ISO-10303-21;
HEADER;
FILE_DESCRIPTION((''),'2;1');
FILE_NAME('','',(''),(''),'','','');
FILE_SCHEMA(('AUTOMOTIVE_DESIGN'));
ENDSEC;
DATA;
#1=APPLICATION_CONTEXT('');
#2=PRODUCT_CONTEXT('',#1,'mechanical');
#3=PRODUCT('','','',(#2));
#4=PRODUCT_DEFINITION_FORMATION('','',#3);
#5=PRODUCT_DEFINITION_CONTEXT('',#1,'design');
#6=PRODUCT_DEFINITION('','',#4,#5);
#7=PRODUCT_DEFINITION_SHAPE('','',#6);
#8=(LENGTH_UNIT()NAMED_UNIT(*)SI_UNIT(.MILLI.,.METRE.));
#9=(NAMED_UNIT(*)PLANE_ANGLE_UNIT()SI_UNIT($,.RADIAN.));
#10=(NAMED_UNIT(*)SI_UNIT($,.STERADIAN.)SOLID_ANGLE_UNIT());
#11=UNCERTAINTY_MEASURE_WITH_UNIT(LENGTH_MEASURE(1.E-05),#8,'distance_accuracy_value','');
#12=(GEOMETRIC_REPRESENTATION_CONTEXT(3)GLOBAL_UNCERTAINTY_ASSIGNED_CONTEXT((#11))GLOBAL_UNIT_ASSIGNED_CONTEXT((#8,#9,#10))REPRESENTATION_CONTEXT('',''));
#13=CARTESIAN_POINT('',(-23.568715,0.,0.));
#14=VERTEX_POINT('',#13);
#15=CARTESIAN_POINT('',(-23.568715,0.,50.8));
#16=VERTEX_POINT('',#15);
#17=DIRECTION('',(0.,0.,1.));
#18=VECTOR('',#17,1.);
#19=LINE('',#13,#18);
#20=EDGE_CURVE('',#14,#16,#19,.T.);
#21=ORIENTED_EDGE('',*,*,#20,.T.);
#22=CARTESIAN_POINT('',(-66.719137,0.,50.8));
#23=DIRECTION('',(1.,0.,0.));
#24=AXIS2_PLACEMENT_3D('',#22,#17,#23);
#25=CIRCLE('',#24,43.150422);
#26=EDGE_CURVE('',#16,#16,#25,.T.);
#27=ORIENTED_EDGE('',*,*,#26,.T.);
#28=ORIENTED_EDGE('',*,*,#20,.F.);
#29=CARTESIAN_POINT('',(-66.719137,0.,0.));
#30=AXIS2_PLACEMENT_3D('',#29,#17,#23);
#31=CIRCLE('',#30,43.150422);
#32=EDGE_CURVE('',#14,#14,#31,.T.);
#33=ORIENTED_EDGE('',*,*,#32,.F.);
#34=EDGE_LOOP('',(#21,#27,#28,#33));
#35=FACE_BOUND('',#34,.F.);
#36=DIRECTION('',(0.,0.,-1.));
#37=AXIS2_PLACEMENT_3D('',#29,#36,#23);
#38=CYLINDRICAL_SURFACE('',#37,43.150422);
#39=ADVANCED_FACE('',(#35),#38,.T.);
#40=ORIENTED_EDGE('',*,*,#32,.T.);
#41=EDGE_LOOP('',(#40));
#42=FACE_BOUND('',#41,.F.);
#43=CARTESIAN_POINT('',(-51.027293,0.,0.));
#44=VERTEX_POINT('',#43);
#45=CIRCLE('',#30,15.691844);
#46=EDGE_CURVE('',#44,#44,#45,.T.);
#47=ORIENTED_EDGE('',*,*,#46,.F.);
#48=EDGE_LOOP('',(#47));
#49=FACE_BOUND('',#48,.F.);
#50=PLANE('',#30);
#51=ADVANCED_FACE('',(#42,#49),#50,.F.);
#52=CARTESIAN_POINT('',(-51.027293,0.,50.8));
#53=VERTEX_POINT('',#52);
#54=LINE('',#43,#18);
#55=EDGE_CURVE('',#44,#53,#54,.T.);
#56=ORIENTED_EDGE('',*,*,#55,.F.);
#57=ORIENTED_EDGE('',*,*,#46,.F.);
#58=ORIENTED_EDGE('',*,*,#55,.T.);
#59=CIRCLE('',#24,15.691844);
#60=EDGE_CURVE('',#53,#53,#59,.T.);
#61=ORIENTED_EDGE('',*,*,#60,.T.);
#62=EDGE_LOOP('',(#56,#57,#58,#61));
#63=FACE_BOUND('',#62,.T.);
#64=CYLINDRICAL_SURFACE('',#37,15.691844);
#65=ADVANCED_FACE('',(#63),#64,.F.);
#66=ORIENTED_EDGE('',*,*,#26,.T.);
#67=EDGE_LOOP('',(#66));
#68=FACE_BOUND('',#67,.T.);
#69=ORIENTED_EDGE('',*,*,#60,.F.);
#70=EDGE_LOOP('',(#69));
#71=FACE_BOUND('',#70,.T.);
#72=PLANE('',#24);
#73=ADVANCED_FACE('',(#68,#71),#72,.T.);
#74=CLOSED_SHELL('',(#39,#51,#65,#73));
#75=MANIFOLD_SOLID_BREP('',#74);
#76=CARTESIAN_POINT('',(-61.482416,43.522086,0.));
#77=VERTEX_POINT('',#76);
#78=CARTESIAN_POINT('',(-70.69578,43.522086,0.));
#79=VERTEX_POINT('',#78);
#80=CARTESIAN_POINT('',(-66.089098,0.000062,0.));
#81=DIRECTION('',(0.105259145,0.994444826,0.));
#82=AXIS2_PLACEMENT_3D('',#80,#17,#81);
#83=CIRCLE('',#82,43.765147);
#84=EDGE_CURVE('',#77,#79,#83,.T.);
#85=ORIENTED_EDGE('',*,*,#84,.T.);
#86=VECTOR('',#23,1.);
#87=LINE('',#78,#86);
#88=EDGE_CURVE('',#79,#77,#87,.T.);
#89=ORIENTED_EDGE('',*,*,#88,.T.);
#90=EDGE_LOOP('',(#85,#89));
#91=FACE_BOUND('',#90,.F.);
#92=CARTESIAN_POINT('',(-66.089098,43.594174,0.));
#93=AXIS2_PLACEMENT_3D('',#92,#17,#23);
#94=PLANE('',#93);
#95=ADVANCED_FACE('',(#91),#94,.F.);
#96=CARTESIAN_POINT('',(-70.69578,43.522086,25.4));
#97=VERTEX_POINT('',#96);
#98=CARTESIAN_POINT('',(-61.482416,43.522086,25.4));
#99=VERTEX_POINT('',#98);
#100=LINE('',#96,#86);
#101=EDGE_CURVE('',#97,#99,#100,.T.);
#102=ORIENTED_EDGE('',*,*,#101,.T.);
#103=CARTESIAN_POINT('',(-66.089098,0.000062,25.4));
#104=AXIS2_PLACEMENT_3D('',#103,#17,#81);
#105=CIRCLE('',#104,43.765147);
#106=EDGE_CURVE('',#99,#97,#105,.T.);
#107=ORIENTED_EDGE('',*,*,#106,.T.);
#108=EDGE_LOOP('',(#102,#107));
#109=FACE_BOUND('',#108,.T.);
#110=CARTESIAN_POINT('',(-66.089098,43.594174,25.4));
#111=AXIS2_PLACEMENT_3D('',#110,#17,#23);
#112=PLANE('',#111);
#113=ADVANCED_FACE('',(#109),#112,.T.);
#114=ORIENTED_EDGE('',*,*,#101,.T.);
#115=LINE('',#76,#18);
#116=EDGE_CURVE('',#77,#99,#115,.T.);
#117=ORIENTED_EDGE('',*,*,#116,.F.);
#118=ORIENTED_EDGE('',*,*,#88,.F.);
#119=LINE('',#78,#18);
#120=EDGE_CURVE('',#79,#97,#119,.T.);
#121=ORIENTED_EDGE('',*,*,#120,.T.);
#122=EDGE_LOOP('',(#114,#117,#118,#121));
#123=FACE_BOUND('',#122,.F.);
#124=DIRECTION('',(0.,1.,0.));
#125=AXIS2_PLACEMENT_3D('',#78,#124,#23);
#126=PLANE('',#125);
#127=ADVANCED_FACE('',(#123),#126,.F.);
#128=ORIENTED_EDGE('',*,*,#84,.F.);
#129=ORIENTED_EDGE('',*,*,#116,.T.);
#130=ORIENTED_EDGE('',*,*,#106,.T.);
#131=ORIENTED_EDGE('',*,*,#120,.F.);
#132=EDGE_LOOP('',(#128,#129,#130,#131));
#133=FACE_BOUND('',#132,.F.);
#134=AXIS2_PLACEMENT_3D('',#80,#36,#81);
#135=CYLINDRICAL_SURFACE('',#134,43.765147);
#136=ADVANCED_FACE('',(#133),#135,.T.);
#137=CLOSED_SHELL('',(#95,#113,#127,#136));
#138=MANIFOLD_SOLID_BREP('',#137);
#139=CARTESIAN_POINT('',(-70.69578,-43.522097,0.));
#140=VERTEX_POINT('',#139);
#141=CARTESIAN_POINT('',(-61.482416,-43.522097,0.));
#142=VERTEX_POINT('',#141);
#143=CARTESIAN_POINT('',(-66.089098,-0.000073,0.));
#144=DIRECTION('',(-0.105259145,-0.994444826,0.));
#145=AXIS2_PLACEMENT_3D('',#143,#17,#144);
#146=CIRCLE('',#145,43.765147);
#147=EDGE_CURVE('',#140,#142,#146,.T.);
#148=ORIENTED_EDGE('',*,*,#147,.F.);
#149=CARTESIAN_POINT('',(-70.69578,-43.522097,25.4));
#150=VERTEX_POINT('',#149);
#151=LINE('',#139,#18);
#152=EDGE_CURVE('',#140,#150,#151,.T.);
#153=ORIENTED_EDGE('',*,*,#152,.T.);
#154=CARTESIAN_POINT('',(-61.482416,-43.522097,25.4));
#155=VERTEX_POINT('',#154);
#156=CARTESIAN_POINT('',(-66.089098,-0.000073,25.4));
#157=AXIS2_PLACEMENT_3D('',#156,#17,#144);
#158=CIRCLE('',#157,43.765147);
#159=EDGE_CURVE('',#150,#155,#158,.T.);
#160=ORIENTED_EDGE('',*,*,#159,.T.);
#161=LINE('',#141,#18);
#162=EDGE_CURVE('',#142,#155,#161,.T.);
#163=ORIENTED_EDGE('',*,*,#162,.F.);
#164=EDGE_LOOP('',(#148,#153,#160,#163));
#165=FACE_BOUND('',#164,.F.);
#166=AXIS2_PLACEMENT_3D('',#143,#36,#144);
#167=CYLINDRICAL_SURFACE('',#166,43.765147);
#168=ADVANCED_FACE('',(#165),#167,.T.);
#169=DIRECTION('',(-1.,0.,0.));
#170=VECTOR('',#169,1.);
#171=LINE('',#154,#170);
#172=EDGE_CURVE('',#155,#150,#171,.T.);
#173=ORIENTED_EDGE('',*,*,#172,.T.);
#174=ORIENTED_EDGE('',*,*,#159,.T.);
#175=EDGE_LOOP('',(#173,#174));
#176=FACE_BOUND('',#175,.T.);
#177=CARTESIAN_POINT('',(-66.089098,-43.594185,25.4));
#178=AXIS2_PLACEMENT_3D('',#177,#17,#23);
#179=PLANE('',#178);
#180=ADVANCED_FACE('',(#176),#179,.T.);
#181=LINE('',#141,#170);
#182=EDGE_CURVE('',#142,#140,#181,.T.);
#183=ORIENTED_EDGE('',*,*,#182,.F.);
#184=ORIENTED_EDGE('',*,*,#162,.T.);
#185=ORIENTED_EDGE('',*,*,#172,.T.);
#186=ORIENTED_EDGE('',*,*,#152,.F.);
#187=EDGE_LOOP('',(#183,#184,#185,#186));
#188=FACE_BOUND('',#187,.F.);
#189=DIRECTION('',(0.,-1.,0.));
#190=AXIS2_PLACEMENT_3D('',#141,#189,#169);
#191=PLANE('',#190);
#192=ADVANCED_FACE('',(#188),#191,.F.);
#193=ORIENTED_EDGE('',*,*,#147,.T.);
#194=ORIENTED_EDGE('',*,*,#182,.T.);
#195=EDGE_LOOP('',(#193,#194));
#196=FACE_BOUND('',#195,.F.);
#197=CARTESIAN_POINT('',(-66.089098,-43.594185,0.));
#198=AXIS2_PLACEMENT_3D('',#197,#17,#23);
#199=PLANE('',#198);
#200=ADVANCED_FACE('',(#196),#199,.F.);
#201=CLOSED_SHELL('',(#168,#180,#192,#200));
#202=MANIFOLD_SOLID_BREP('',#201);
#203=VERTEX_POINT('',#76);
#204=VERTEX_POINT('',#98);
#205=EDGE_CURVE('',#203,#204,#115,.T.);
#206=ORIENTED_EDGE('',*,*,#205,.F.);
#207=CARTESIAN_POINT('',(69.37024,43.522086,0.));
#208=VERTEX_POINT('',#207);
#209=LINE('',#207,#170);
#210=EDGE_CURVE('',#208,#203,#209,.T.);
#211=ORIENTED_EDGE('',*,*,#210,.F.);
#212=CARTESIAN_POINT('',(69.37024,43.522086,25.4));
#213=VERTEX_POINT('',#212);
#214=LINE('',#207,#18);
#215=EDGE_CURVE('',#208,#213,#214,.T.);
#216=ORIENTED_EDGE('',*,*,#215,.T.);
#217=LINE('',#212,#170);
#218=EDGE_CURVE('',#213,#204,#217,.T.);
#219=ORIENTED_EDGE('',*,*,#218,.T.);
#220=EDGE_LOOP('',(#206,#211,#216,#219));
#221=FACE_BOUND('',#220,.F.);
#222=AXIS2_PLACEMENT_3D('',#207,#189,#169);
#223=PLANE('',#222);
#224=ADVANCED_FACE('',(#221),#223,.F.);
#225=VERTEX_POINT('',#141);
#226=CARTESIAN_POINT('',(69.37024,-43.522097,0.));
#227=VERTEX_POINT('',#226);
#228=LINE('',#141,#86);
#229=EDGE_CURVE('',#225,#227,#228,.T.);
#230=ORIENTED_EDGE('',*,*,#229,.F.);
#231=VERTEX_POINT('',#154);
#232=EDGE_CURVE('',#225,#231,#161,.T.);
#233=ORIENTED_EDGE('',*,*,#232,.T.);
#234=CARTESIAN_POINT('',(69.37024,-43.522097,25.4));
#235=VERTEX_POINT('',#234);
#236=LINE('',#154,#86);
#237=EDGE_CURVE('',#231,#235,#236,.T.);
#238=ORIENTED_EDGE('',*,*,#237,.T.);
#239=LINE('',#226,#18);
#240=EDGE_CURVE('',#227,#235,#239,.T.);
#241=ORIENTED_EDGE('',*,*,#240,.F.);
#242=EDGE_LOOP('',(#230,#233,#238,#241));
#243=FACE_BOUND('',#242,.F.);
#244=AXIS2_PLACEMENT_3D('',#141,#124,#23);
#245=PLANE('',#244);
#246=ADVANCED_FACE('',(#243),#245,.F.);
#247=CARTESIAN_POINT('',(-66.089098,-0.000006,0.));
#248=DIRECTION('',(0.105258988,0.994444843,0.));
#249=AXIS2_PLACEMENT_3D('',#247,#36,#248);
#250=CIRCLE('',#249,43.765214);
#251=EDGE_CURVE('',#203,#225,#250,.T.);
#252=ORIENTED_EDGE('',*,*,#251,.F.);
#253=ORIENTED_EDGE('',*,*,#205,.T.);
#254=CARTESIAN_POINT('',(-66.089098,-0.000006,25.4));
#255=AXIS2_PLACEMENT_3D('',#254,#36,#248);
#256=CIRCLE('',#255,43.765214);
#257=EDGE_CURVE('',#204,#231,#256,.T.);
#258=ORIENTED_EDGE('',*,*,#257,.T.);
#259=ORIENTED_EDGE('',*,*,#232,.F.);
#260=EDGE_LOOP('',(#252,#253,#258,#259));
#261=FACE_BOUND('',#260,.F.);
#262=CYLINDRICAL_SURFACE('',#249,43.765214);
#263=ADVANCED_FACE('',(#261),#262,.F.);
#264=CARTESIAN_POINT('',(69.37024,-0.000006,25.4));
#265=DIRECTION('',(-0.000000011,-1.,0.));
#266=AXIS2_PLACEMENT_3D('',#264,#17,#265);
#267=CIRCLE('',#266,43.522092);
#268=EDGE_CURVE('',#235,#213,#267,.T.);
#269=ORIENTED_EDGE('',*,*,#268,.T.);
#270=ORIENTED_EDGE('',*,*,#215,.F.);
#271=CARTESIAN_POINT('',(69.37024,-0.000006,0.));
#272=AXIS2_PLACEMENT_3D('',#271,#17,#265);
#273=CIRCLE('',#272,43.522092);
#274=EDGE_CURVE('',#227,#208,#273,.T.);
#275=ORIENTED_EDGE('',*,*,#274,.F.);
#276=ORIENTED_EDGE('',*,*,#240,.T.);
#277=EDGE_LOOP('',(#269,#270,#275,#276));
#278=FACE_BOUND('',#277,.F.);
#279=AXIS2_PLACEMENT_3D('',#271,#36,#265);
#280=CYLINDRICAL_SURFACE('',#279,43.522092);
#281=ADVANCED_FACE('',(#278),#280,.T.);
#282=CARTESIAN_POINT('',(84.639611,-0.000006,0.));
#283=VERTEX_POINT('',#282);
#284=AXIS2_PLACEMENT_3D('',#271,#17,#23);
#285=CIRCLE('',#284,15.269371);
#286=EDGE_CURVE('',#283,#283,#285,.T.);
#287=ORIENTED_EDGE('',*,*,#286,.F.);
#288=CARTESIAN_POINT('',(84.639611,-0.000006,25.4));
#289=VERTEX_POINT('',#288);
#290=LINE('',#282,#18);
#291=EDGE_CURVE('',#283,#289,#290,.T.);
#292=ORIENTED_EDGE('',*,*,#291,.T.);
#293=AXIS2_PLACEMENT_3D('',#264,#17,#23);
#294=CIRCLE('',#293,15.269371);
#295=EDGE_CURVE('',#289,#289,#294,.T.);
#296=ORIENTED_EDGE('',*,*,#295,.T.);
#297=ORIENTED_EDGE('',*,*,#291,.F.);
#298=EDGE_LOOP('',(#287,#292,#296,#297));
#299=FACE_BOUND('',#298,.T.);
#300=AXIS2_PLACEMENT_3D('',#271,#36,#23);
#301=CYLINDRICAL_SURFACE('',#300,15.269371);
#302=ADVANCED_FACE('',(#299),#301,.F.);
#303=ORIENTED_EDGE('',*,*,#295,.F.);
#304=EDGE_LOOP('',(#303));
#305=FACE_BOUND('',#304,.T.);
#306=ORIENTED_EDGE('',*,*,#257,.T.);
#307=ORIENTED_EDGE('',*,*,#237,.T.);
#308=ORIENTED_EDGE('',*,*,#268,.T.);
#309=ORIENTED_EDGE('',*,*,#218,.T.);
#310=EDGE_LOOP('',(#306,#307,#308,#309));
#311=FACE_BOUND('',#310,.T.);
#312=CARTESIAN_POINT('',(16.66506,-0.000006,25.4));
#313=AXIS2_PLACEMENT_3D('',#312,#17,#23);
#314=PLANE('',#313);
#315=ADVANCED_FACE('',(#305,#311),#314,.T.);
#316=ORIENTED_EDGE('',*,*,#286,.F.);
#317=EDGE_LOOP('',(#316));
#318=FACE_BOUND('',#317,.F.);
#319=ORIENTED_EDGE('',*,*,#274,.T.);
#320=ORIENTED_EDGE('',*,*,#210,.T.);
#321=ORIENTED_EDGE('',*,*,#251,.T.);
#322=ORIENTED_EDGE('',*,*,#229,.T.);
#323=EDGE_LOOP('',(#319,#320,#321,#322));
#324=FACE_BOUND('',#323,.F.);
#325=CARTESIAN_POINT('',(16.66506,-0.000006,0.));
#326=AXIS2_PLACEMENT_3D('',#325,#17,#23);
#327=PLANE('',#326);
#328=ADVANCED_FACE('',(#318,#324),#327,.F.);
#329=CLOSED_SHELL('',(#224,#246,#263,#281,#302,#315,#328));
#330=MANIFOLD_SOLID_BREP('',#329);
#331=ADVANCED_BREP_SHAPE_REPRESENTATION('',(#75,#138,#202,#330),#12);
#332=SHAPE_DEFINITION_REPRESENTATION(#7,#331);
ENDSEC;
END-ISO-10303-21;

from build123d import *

# Parameters (mm, degrees)
F0_R     = 43.150422
F0_R_2   = 15.691844
F1_DEPTH = 50.8
F2_R     = 15.269371
F3_DEPTH = 25.4


with BuildPart() as f1:
    # F0 (on Top) → F1 (new body)
    with BuildSketch(Plane.XY):
        with Locations((-66.719137, 0)):
            Circle(F0_R)
        with Locations((-66.719137, 0)):
            Circle(F0_R_2, mode=Mode.SUBTRACT)
    extrude(amount=F1_DEPTH)


with BuildPart() as f3:
    # F2 (on Top) → F3 (new body)
    with BuildSketch(Plane.XY):
        with BuildLine():
            ThreePointArc((-61.482416, 43.522086), (-66.089098, 43.765209), (-70.69578, 43.522086))
            Line((-70.69578, 43.522086), (-61.482416, 43.522086))
        make_face()
        with BuildLine():
            ThreePointArc((-70.69578, -43.522097), (-66.089098, -43.76522), (-61.482416, -43.522097))
            Line((-61.482416, -43.522097), (-70.69578, -43.522097))
        make_face()
        with BuildLine():
            Line((69.37024, 43.522086), (-61.482416, 43.522086))
            ThreePointArc((-61.482416, 43.522086), (-22.323884, -6e-06), (-61.482416, -43.522097))
            Line((-61.482416, -43.522097), (69.37024, -43.522097))
            ThreePointArc((69.37024, -43.522097), (112.892332, -6e-06), (69.37024, 43.522086))
        make_face()
        with Locations((69.37024, -6e-06)):
            Circle(F2_R, mode=Mode.SUBTRACT)
    extrude(amount=F3_DEPTH)


solid = Compound([f1.part, f3.part])
